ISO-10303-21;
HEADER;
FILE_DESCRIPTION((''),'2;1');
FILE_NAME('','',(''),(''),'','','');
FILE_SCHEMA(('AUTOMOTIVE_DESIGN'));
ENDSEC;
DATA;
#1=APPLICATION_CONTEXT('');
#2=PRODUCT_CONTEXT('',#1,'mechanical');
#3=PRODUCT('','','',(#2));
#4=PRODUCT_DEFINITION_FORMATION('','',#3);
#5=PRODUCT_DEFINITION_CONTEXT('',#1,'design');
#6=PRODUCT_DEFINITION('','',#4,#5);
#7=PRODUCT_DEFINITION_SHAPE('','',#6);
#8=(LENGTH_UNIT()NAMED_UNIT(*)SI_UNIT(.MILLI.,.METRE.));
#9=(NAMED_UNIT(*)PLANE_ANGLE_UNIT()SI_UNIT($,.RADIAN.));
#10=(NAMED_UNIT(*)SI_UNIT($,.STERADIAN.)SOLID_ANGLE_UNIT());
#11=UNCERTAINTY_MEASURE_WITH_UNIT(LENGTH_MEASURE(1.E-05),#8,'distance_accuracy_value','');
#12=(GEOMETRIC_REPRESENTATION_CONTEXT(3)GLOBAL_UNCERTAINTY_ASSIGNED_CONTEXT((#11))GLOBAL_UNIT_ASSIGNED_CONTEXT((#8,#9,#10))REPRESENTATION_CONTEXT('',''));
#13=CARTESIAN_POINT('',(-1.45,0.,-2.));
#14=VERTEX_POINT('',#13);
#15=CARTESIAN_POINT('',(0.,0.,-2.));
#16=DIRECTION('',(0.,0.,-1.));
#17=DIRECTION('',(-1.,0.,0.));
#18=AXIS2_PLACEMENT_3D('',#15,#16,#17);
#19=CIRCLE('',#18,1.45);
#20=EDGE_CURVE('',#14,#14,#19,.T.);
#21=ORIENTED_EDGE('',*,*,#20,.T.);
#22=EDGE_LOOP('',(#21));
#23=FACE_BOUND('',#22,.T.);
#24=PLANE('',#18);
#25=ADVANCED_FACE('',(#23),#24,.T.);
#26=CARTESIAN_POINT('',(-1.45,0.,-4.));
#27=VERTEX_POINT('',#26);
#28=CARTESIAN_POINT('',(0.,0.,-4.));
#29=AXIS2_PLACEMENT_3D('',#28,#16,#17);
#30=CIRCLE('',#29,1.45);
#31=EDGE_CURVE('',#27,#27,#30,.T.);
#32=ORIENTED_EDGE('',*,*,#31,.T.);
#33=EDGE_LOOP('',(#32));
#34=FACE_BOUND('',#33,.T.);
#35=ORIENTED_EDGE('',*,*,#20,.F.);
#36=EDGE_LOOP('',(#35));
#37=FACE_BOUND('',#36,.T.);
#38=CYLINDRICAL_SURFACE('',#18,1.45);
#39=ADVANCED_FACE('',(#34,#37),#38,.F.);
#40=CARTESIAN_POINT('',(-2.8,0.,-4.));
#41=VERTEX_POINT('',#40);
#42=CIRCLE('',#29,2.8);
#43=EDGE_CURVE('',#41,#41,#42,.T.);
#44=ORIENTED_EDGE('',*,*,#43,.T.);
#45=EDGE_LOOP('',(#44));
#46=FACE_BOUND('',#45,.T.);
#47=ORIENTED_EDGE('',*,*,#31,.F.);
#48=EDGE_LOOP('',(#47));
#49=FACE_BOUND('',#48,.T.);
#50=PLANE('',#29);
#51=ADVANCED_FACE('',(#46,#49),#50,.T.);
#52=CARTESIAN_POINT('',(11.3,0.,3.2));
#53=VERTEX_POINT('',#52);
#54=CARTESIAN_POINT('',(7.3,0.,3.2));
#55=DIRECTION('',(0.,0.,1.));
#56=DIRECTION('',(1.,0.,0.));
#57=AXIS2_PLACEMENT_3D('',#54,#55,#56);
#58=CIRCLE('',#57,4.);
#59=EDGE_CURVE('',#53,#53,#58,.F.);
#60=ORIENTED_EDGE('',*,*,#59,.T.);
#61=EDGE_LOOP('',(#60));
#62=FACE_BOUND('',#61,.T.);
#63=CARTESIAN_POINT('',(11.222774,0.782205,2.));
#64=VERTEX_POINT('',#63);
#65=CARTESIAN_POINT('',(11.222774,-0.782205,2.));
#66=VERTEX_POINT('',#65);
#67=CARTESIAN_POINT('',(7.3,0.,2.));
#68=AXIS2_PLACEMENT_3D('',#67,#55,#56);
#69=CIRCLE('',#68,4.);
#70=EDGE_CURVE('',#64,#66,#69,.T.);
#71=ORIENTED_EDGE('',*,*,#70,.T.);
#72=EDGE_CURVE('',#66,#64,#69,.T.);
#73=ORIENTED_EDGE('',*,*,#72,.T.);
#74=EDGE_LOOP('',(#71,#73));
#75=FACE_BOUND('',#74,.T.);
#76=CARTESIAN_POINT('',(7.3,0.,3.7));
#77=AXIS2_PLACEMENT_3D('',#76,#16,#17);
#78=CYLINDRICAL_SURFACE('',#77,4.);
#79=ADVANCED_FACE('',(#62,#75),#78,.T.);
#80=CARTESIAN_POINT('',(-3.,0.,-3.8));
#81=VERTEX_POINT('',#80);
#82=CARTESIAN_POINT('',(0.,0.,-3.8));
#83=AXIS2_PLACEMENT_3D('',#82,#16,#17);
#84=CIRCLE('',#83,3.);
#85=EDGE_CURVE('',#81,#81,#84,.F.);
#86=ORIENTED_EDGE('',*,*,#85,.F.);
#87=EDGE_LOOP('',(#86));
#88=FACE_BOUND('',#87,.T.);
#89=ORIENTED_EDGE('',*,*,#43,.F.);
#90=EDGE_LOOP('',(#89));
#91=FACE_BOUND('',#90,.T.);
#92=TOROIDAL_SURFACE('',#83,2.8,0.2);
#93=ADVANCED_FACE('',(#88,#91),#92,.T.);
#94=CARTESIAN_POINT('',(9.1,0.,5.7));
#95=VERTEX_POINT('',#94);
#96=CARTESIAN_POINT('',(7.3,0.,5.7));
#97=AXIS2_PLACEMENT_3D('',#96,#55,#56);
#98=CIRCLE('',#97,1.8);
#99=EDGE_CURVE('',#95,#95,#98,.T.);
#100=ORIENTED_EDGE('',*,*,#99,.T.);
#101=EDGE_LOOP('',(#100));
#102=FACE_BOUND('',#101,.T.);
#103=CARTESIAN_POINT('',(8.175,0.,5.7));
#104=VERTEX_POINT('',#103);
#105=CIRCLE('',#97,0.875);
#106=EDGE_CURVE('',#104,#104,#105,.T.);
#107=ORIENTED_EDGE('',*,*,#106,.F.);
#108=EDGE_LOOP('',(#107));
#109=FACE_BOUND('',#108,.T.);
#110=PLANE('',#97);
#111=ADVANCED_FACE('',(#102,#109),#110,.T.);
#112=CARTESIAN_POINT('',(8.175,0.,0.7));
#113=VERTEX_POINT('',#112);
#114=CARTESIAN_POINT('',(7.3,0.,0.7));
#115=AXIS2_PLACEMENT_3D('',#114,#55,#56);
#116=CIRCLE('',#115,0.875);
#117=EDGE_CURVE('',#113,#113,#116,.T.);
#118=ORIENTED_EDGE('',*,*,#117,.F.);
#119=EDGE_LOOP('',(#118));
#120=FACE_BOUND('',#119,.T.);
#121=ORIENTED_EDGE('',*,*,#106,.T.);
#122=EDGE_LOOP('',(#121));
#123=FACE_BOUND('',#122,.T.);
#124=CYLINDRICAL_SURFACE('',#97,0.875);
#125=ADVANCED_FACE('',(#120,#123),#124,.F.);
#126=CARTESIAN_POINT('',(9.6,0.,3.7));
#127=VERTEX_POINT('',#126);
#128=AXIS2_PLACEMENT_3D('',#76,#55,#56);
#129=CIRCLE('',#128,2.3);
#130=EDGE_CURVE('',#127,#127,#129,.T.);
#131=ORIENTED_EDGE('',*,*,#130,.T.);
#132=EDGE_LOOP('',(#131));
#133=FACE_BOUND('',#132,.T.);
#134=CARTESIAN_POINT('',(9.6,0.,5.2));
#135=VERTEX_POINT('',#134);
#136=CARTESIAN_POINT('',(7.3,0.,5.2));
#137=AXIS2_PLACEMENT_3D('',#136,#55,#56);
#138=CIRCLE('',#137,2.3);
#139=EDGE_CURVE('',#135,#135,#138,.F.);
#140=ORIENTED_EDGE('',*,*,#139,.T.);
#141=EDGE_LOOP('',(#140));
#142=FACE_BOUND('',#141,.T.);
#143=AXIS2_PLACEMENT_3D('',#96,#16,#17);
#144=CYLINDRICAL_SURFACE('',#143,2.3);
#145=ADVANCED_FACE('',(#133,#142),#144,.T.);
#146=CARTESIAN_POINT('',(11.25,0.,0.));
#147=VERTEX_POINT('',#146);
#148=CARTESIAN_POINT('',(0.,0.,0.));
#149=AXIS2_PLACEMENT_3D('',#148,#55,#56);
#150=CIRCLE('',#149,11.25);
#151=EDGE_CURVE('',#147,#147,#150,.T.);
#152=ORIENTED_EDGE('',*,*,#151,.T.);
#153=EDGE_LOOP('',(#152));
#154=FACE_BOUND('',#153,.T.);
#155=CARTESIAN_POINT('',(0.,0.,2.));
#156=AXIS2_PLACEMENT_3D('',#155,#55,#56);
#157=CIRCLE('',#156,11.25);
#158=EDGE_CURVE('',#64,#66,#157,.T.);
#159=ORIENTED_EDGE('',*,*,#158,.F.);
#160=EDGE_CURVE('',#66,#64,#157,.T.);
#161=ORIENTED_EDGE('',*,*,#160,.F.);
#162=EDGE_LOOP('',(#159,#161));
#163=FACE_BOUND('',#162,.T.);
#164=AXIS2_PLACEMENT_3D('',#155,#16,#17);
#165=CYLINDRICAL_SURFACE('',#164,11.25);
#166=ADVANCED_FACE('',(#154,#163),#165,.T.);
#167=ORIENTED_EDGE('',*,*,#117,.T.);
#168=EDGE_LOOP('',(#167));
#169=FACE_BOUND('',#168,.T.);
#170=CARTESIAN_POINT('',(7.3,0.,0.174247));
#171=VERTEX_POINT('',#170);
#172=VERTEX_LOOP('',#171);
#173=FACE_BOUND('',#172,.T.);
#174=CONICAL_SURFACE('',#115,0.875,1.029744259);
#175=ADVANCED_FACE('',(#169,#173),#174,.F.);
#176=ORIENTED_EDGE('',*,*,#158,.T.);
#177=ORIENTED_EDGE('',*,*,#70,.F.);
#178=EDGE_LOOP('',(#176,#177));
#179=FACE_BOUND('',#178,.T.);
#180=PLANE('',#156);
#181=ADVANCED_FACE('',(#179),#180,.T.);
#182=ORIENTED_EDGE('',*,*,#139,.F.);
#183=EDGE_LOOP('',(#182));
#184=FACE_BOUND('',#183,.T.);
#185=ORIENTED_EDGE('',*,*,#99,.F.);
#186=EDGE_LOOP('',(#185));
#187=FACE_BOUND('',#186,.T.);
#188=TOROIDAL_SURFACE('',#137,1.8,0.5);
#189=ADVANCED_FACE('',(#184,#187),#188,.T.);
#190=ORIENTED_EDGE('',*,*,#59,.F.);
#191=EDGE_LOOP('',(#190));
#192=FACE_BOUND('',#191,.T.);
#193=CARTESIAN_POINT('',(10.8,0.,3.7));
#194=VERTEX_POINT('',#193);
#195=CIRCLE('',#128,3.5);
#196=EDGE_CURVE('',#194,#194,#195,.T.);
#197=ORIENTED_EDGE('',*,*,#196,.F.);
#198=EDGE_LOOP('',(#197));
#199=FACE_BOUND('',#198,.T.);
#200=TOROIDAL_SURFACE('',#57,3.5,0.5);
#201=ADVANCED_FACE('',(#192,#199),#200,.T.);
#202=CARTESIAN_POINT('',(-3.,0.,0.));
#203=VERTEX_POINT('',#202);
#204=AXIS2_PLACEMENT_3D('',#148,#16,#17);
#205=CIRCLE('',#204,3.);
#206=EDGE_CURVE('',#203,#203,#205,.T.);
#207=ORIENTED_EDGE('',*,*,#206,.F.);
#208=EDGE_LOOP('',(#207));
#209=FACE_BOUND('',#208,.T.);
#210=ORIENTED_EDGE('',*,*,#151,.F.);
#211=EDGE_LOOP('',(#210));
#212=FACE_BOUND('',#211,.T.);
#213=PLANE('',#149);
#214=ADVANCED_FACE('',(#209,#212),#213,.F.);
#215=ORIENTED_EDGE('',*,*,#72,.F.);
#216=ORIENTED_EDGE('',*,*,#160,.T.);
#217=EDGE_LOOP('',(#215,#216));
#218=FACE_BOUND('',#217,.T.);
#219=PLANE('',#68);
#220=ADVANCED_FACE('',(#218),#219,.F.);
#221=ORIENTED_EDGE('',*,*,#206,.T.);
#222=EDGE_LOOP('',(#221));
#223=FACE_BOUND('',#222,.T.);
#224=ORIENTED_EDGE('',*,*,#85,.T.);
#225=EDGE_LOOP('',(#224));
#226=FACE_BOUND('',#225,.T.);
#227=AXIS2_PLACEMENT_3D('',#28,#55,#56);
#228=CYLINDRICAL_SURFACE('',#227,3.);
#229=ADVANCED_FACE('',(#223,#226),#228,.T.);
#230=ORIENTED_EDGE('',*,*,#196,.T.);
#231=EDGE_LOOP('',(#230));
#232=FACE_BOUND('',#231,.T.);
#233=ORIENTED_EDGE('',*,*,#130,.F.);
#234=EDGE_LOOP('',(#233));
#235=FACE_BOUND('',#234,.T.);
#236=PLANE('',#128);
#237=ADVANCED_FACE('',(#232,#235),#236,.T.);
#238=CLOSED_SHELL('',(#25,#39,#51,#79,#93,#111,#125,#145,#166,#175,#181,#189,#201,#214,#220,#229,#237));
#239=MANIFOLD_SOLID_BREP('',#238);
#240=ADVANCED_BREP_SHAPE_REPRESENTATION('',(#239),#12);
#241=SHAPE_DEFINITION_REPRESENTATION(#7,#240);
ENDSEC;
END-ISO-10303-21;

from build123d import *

# Parameters (mm, degrees)
ESQUISSE1_R                  = 11.25
BOSS_EXTRU_1_DEPTH           = 2
ESQUISSE2_R                  = 4
BOSS_EXTRU_2_DEPTH           = 1.7
ESQUISSE3_R                  = 2.3
BOSS_EXTRU_3_DEPTH           = 2
CONG_1_R                     = 0.5
ESQUISSE4_R                  = 3
BOSS_EXTRU_4_DEPTH           = 4
ESQUISSE5_R                  = 1.45
ENL_V_MAT_EXTRU_1_DEPTH      = 2
TROU_TARAUD_M2_2X0_451_D     = 1.75
TROU_TARAUD_M2_2X0_451_DEPTH = 5
TROU_TARAUD_M2_2X0_451_TIP   = 0.525753042
CONG_2_R                     = 0.2


with BuildPart() as part:
    # Esquisse1 → Boss.-Extru.1 (new body)
    with BuildSketch(Plane.XY):
        Circle(ESQUISSE1_R)
    extrude(amount=BOSS_EXTRU_1_DEPTH)

    # Esquisse2 → Boss.-Extru.2 (add)
    with BuildSketch(Plane.XY.offset(2)):
        with Locations(Location((7.3, 0, 0), (0, 0, 348.723074946))):
            Circle(ESQUISSE2_R)
    extrude(amount=BOSS_EXTRU_2_DEPTH)

    # Esquisse3 → Boss.-Extru.3 (add)
    with BuildSketch(Plane.XY.offset(3.7)):
        with Locations((7.3, 0)):
            Circle(ESQUISSE3_R)
    extrude(amount=BOSS_EXTRU_3_DEPTH)

    # Congé1
    cong_1_edges = [part.edges().sort_by_distance(p)[0] for p in [
        (5, 0, 5.7),
        (3.377226027, 0.782204807, 3.7),
    ]]
    fillet(cong_1_edges, radius=CONG_1_R)

    # Esquisse4 → Boss.-Extru.4 (add)
    with BuildSketch(Plane(origin=(0, 0, 0), x_dir=(-1, 0, 0), z_dir=(0, 0, -1))):
        Circle(ESQUISSE4_R)
    extrude(amount=BOSS_EXTRU_4_DEPTH)

    # Esquisse5 → Enlèv. mat.-Extru.1 (cut)
    with BuildSketch(Plane(origin=(0, 0, -4), x_dir=(-1, 0, 0), z_dir=(0, 0, -1))):
        Circle(ESQUISSE5_R)
    extrude(amount=-ENL_V_MAT_EXTRU_1_DEPTH, mode=Mode.SUBTRACT)

    # Trou taraudé M2.2x0.451
    with Locations(Plane.XY.offset(5.7)):
        with Locations((7.3, 0)):
            Hole(TROU_TARAUD_M2_2X0_451_D / 2, depth=TROU_TARAUD_M2_2X0_451_DEPTH)
            with Locations((0, 0, -(TROU_TARAUD_M2_2X0_451_DEPTH + TROU_TARAUD_M2_2X0_451_TIP / 2))):  # 118° drill point
                Cone(0, TROU_TARAUD_M2_2X0_451_D / 2, TROU_TARAUD_M2_2X0_451_TIP, mode=Mode.SUBTRACT)

    # Congé2
    cong_2_edges = [part.edges().sort_by_distance(p)[0] for p in [
        (3, 0, -4),
    ]]
    fillet(cong_2_edges, radius=CONG_2_R)


solid = part.part
